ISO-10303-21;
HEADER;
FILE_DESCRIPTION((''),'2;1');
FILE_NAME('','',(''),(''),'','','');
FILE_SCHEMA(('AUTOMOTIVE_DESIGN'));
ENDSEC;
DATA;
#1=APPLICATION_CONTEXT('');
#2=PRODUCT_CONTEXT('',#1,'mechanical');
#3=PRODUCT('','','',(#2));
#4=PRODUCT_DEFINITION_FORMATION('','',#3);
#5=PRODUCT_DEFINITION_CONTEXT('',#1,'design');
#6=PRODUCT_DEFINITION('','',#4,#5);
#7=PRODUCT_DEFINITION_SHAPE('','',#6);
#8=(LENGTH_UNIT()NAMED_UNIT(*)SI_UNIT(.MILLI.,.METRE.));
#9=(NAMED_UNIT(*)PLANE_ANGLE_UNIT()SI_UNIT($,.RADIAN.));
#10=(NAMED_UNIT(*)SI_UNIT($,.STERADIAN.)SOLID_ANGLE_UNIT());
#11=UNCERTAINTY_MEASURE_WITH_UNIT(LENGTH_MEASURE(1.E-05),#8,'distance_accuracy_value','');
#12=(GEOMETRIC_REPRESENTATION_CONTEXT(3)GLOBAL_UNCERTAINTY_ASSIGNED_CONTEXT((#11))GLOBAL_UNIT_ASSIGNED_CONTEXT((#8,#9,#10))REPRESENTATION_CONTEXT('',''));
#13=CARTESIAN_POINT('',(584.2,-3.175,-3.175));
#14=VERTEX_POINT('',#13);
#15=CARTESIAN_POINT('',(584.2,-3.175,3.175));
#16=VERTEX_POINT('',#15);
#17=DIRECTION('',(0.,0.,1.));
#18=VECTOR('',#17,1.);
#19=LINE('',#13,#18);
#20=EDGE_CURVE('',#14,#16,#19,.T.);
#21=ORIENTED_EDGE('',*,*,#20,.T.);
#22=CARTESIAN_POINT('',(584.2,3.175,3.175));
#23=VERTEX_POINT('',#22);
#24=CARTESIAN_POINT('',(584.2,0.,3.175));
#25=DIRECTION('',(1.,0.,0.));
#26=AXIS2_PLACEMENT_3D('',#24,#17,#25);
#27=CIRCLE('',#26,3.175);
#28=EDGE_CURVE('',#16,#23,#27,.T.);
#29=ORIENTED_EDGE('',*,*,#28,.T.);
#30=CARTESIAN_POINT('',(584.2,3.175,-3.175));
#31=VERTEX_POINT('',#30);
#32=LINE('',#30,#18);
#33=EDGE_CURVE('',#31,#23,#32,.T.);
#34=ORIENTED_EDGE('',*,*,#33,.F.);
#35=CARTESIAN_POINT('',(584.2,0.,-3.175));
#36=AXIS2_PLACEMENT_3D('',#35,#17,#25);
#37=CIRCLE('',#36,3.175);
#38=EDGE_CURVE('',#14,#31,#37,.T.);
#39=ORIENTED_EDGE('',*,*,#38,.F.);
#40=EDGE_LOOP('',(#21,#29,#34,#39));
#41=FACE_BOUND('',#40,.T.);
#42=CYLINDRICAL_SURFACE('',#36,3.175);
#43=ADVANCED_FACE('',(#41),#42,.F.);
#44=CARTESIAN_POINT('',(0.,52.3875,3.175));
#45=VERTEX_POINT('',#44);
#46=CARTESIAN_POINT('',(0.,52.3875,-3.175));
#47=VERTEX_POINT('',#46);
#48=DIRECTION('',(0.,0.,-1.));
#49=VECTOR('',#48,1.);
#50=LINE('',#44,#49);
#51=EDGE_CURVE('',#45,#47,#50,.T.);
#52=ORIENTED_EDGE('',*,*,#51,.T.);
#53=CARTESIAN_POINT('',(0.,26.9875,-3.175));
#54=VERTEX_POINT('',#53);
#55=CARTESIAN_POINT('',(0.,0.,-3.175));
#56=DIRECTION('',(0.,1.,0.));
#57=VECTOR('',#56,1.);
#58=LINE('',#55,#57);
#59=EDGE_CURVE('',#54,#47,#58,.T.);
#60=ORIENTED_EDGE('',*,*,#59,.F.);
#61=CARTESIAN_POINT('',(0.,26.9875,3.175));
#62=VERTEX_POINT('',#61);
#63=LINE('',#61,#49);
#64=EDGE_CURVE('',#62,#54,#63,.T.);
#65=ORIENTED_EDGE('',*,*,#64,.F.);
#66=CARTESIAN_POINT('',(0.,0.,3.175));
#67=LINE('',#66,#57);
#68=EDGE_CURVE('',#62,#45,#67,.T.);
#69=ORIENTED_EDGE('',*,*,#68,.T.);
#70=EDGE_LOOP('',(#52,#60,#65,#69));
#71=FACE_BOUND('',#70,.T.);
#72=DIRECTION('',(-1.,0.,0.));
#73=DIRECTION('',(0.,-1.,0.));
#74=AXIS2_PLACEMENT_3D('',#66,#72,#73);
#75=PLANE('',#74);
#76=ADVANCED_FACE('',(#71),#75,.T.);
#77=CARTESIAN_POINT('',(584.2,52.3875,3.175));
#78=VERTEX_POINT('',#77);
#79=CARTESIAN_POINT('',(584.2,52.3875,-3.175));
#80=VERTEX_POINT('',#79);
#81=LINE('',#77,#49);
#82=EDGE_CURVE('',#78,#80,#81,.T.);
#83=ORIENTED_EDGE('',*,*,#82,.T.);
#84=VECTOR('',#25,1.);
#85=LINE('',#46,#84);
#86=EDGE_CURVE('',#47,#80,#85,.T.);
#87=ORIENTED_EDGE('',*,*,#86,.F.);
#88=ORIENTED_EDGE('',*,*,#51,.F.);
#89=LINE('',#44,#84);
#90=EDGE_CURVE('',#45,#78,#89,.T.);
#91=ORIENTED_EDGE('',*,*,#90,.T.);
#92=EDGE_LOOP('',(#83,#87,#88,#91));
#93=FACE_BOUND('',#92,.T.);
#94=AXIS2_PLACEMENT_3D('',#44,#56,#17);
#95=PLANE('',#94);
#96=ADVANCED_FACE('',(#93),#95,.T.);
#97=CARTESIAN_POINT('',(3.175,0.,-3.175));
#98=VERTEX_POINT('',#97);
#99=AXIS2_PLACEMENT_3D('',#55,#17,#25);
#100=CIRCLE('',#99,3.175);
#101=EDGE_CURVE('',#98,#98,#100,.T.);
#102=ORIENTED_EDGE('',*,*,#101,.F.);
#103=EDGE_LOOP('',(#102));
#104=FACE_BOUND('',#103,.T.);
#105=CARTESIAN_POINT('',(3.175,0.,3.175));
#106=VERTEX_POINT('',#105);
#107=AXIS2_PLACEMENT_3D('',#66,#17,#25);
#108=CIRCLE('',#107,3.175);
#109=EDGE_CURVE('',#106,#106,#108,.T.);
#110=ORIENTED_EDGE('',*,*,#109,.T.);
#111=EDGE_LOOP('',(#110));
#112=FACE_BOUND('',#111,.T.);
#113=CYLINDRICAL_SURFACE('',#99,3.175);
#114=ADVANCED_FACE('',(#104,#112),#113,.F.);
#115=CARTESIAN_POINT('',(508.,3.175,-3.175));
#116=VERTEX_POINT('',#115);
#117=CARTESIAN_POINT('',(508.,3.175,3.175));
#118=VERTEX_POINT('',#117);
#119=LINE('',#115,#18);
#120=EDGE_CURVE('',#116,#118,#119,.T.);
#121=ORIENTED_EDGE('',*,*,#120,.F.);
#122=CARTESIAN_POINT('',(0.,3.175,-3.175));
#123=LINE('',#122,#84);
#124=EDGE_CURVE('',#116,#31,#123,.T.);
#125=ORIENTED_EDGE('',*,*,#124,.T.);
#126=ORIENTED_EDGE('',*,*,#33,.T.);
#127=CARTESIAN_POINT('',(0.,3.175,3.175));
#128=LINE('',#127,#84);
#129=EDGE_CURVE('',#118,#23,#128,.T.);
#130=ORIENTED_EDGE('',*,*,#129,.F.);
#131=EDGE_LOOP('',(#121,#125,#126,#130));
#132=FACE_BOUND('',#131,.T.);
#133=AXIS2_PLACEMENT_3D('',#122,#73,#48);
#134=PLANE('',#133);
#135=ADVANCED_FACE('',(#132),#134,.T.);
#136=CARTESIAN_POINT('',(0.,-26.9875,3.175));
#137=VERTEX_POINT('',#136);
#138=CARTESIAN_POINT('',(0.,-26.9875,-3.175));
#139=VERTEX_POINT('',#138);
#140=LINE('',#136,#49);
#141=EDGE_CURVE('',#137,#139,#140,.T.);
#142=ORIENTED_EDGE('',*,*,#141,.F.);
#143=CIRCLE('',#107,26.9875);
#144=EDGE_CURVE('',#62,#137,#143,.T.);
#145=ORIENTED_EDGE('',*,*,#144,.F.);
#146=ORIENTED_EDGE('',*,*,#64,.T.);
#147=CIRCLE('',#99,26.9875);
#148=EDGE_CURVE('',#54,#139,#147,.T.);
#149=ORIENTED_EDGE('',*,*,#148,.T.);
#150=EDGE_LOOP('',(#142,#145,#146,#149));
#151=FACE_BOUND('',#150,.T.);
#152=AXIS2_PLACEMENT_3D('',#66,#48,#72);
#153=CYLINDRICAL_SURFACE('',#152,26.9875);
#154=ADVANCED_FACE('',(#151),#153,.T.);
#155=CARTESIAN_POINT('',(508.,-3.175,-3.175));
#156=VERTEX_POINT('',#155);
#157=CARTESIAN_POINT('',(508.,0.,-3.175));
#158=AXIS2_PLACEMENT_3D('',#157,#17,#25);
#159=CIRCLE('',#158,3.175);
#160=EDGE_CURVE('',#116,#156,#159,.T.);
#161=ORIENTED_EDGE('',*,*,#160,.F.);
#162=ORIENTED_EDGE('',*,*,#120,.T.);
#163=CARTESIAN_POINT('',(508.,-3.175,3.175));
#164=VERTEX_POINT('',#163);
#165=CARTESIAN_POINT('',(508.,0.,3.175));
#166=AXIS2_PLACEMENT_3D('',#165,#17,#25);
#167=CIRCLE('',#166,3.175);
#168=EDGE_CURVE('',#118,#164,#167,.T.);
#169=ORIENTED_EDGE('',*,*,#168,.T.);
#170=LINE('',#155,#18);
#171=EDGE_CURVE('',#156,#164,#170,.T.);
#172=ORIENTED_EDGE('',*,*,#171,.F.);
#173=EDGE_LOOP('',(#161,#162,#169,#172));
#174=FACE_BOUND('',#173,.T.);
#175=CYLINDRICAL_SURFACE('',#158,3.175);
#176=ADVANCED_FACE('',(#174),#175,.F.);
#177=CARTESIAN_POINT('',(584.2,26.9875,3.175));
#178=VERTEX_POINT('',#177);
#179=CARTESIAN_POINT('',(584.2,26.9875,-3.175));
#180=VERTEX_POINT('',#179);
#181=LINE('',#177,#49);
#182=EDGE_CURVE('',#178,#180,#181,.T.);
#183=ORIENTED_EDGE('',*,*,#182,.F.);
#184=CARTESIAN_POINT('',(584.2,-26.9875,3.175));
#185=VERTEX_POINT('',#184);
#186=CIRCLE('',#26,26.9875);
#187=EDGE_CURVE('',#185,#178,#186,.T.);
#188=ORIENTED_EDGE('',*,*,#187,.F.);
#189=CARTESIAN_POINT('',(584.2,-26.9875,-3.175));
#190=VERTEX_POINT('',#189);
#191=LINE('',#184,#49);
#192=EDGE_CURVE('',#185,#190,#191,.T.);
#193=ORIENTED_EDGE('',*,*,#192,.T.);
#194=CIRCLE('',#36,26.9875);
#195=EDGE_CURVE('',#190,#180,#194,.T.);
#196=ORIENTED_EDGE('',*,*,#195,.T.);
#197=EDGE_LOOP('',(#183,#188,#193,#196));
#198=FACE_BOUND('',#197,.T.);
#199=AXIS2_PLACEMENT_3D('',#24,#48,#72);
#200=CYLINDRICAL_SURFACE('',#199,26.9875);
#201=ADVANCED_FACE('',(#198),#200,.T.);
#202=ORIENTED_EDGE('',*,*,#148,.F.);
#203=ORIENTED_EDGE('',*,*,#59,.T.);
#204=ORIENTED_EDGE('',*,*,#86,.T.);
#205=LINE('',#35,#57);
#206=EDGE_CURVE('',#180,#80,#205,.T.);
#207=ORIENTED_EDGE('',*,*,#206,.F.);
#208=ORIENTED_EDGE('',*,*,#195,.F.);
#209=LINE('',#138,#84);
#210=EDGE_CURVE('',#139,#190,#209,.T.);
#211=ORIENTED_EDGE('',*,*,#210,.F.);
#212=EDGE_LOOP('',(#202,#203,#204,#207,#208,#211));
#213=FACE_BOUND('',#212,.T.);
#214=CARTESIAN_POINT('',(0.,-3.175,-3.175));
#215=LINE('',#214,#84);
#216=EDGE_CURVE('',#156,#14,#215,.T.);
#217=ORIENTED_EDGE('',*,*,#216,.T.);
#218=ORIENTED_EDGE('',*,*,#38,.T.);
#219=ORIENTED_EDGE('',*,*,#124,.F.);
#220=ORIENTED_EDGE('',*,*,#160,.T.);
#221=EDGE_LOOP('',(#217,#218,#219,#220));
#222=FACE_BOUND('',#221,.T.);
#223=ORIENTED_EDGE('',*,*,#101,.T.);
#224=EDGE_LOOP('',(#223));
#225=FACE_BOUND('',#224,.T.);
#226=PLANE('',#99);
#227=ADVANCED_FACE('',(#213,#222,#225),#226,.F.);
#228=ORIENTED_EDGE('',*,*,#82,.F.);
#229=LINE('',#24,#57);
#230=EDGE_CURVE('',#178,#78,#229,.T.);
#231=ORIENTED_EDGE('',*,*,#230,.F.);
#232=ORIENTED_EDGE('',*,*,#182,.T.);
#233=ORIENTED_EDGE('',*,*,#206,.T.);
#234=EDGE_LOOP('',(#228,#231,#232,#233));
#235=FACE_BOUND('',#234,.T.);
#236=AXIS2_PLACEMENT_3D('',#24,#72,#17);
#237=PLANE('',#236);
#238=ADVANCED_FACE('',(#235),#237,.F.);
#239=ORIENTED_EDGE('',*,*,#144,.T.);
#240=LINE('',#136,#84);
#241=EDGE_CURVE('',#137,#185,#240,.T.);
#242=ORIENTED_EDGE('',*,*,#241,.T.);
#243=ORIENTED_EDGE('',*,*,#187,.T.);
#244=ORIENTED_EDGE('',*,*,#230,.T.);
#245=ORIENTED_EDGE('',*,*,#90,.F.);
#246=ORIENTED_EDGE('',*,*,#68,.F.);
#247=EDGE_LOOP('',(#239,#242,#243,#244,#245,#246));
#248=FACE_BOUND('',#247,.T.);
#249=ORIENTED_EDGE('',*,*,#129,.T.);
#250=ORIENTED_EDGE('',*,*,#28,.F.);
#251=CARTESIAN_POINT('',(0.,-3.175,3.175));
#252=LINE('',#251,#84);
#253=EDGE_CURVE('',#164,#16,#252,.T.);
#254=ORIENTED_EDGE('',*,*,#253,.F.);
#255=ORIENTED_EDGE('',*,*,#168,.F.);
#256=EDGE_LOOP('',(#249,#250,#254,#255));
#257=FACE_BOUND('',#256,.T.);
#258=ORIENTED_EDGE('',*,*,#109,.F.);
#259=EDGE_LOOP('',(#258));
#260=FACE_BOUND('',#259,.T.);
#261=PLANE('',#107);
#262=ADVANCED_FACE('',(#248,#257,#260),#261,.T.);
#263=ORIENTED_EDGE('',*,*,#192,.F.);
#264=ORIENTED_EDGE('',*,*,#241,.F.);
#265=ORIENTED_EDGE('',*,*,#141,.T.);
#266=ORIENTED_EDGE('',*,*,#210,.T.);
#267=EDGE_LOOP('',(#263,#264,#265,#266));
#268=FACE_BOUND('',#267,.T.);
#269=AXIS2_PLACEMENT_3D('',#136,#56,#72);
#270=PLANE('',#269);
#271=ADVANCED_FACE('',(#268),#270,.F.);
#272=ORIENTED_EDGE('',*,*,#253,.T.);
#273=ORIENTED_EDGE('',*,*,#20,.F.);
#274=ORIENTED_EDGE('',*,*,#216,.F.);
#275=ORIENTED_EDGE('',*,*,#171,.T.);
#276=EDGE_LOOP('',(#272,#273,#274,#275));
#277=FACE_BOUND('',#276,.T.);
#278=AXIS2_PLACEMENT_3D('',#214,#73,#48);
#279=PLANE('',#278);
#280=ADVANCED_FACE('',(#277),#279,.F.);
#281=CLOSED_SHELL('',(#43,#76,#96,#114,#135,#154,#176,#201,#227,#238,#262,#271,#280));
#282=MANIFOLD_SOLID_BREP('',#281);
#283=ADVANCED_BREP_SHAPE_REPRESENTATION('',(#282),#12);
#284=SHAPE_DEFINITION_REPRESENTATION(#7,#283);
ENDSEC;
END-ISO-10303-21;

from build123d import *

# Parameters (mm, degrees)
SKETCH1_W           = 584.2
SKETCH1_H           = 25.4
BOSS_EXTRUDE1_DEPTH = 3.175
SKETCH2_R           = 3.175
CUT_EXTRUDE1_DEPTH  = 614.461435473


with BuildPart() as part:
    # Sketch1 → Boss-Extrude1 (new, symmetric)
    with BuildSketch(Plane.XY):
        with Locations((292.1, 39.6875)):
            Rectangle(SKETCH1_W, SKETCH1_H)
        with BuildLine():
            Line((0, -26.9875), (584.2, -26.9875))
            ThreePointArc((584.2, -26.9875), (611.1875, 0), (584.2, 26.9875))
            Line((584.2, 26.9875), (0, 26.9875))
            ThreePointArc((0, 26.9875), (-26.9875, 0), (0, -26.9875))
        make_face()
    extrude(amount=BOSS_EXTRUDE1_DEPTH, both=True)

    # Sketch2 → Cut-Extrude1 (cut, through all)
    with BuildSketch(Plane.XY.offset(3.175)):
        Circle(SKETCH2_R)
        with BuildLine():
            Line((508, 3.175), (584.2, 3.175))
            ThreePointArc((584.2, 3.175), (587.375, 0), (584.2, -3.175))
            Line((584.2, -3.175), (508, -3.175))
            ThreePointArc((508, -3.175), (504.825, 0), (508, 3.175))
        make_face()
    extrude(amount=-CUT_EXTRUDE1_DEPTH, mode=Mode.SUBTRACT)


solid = part.part
